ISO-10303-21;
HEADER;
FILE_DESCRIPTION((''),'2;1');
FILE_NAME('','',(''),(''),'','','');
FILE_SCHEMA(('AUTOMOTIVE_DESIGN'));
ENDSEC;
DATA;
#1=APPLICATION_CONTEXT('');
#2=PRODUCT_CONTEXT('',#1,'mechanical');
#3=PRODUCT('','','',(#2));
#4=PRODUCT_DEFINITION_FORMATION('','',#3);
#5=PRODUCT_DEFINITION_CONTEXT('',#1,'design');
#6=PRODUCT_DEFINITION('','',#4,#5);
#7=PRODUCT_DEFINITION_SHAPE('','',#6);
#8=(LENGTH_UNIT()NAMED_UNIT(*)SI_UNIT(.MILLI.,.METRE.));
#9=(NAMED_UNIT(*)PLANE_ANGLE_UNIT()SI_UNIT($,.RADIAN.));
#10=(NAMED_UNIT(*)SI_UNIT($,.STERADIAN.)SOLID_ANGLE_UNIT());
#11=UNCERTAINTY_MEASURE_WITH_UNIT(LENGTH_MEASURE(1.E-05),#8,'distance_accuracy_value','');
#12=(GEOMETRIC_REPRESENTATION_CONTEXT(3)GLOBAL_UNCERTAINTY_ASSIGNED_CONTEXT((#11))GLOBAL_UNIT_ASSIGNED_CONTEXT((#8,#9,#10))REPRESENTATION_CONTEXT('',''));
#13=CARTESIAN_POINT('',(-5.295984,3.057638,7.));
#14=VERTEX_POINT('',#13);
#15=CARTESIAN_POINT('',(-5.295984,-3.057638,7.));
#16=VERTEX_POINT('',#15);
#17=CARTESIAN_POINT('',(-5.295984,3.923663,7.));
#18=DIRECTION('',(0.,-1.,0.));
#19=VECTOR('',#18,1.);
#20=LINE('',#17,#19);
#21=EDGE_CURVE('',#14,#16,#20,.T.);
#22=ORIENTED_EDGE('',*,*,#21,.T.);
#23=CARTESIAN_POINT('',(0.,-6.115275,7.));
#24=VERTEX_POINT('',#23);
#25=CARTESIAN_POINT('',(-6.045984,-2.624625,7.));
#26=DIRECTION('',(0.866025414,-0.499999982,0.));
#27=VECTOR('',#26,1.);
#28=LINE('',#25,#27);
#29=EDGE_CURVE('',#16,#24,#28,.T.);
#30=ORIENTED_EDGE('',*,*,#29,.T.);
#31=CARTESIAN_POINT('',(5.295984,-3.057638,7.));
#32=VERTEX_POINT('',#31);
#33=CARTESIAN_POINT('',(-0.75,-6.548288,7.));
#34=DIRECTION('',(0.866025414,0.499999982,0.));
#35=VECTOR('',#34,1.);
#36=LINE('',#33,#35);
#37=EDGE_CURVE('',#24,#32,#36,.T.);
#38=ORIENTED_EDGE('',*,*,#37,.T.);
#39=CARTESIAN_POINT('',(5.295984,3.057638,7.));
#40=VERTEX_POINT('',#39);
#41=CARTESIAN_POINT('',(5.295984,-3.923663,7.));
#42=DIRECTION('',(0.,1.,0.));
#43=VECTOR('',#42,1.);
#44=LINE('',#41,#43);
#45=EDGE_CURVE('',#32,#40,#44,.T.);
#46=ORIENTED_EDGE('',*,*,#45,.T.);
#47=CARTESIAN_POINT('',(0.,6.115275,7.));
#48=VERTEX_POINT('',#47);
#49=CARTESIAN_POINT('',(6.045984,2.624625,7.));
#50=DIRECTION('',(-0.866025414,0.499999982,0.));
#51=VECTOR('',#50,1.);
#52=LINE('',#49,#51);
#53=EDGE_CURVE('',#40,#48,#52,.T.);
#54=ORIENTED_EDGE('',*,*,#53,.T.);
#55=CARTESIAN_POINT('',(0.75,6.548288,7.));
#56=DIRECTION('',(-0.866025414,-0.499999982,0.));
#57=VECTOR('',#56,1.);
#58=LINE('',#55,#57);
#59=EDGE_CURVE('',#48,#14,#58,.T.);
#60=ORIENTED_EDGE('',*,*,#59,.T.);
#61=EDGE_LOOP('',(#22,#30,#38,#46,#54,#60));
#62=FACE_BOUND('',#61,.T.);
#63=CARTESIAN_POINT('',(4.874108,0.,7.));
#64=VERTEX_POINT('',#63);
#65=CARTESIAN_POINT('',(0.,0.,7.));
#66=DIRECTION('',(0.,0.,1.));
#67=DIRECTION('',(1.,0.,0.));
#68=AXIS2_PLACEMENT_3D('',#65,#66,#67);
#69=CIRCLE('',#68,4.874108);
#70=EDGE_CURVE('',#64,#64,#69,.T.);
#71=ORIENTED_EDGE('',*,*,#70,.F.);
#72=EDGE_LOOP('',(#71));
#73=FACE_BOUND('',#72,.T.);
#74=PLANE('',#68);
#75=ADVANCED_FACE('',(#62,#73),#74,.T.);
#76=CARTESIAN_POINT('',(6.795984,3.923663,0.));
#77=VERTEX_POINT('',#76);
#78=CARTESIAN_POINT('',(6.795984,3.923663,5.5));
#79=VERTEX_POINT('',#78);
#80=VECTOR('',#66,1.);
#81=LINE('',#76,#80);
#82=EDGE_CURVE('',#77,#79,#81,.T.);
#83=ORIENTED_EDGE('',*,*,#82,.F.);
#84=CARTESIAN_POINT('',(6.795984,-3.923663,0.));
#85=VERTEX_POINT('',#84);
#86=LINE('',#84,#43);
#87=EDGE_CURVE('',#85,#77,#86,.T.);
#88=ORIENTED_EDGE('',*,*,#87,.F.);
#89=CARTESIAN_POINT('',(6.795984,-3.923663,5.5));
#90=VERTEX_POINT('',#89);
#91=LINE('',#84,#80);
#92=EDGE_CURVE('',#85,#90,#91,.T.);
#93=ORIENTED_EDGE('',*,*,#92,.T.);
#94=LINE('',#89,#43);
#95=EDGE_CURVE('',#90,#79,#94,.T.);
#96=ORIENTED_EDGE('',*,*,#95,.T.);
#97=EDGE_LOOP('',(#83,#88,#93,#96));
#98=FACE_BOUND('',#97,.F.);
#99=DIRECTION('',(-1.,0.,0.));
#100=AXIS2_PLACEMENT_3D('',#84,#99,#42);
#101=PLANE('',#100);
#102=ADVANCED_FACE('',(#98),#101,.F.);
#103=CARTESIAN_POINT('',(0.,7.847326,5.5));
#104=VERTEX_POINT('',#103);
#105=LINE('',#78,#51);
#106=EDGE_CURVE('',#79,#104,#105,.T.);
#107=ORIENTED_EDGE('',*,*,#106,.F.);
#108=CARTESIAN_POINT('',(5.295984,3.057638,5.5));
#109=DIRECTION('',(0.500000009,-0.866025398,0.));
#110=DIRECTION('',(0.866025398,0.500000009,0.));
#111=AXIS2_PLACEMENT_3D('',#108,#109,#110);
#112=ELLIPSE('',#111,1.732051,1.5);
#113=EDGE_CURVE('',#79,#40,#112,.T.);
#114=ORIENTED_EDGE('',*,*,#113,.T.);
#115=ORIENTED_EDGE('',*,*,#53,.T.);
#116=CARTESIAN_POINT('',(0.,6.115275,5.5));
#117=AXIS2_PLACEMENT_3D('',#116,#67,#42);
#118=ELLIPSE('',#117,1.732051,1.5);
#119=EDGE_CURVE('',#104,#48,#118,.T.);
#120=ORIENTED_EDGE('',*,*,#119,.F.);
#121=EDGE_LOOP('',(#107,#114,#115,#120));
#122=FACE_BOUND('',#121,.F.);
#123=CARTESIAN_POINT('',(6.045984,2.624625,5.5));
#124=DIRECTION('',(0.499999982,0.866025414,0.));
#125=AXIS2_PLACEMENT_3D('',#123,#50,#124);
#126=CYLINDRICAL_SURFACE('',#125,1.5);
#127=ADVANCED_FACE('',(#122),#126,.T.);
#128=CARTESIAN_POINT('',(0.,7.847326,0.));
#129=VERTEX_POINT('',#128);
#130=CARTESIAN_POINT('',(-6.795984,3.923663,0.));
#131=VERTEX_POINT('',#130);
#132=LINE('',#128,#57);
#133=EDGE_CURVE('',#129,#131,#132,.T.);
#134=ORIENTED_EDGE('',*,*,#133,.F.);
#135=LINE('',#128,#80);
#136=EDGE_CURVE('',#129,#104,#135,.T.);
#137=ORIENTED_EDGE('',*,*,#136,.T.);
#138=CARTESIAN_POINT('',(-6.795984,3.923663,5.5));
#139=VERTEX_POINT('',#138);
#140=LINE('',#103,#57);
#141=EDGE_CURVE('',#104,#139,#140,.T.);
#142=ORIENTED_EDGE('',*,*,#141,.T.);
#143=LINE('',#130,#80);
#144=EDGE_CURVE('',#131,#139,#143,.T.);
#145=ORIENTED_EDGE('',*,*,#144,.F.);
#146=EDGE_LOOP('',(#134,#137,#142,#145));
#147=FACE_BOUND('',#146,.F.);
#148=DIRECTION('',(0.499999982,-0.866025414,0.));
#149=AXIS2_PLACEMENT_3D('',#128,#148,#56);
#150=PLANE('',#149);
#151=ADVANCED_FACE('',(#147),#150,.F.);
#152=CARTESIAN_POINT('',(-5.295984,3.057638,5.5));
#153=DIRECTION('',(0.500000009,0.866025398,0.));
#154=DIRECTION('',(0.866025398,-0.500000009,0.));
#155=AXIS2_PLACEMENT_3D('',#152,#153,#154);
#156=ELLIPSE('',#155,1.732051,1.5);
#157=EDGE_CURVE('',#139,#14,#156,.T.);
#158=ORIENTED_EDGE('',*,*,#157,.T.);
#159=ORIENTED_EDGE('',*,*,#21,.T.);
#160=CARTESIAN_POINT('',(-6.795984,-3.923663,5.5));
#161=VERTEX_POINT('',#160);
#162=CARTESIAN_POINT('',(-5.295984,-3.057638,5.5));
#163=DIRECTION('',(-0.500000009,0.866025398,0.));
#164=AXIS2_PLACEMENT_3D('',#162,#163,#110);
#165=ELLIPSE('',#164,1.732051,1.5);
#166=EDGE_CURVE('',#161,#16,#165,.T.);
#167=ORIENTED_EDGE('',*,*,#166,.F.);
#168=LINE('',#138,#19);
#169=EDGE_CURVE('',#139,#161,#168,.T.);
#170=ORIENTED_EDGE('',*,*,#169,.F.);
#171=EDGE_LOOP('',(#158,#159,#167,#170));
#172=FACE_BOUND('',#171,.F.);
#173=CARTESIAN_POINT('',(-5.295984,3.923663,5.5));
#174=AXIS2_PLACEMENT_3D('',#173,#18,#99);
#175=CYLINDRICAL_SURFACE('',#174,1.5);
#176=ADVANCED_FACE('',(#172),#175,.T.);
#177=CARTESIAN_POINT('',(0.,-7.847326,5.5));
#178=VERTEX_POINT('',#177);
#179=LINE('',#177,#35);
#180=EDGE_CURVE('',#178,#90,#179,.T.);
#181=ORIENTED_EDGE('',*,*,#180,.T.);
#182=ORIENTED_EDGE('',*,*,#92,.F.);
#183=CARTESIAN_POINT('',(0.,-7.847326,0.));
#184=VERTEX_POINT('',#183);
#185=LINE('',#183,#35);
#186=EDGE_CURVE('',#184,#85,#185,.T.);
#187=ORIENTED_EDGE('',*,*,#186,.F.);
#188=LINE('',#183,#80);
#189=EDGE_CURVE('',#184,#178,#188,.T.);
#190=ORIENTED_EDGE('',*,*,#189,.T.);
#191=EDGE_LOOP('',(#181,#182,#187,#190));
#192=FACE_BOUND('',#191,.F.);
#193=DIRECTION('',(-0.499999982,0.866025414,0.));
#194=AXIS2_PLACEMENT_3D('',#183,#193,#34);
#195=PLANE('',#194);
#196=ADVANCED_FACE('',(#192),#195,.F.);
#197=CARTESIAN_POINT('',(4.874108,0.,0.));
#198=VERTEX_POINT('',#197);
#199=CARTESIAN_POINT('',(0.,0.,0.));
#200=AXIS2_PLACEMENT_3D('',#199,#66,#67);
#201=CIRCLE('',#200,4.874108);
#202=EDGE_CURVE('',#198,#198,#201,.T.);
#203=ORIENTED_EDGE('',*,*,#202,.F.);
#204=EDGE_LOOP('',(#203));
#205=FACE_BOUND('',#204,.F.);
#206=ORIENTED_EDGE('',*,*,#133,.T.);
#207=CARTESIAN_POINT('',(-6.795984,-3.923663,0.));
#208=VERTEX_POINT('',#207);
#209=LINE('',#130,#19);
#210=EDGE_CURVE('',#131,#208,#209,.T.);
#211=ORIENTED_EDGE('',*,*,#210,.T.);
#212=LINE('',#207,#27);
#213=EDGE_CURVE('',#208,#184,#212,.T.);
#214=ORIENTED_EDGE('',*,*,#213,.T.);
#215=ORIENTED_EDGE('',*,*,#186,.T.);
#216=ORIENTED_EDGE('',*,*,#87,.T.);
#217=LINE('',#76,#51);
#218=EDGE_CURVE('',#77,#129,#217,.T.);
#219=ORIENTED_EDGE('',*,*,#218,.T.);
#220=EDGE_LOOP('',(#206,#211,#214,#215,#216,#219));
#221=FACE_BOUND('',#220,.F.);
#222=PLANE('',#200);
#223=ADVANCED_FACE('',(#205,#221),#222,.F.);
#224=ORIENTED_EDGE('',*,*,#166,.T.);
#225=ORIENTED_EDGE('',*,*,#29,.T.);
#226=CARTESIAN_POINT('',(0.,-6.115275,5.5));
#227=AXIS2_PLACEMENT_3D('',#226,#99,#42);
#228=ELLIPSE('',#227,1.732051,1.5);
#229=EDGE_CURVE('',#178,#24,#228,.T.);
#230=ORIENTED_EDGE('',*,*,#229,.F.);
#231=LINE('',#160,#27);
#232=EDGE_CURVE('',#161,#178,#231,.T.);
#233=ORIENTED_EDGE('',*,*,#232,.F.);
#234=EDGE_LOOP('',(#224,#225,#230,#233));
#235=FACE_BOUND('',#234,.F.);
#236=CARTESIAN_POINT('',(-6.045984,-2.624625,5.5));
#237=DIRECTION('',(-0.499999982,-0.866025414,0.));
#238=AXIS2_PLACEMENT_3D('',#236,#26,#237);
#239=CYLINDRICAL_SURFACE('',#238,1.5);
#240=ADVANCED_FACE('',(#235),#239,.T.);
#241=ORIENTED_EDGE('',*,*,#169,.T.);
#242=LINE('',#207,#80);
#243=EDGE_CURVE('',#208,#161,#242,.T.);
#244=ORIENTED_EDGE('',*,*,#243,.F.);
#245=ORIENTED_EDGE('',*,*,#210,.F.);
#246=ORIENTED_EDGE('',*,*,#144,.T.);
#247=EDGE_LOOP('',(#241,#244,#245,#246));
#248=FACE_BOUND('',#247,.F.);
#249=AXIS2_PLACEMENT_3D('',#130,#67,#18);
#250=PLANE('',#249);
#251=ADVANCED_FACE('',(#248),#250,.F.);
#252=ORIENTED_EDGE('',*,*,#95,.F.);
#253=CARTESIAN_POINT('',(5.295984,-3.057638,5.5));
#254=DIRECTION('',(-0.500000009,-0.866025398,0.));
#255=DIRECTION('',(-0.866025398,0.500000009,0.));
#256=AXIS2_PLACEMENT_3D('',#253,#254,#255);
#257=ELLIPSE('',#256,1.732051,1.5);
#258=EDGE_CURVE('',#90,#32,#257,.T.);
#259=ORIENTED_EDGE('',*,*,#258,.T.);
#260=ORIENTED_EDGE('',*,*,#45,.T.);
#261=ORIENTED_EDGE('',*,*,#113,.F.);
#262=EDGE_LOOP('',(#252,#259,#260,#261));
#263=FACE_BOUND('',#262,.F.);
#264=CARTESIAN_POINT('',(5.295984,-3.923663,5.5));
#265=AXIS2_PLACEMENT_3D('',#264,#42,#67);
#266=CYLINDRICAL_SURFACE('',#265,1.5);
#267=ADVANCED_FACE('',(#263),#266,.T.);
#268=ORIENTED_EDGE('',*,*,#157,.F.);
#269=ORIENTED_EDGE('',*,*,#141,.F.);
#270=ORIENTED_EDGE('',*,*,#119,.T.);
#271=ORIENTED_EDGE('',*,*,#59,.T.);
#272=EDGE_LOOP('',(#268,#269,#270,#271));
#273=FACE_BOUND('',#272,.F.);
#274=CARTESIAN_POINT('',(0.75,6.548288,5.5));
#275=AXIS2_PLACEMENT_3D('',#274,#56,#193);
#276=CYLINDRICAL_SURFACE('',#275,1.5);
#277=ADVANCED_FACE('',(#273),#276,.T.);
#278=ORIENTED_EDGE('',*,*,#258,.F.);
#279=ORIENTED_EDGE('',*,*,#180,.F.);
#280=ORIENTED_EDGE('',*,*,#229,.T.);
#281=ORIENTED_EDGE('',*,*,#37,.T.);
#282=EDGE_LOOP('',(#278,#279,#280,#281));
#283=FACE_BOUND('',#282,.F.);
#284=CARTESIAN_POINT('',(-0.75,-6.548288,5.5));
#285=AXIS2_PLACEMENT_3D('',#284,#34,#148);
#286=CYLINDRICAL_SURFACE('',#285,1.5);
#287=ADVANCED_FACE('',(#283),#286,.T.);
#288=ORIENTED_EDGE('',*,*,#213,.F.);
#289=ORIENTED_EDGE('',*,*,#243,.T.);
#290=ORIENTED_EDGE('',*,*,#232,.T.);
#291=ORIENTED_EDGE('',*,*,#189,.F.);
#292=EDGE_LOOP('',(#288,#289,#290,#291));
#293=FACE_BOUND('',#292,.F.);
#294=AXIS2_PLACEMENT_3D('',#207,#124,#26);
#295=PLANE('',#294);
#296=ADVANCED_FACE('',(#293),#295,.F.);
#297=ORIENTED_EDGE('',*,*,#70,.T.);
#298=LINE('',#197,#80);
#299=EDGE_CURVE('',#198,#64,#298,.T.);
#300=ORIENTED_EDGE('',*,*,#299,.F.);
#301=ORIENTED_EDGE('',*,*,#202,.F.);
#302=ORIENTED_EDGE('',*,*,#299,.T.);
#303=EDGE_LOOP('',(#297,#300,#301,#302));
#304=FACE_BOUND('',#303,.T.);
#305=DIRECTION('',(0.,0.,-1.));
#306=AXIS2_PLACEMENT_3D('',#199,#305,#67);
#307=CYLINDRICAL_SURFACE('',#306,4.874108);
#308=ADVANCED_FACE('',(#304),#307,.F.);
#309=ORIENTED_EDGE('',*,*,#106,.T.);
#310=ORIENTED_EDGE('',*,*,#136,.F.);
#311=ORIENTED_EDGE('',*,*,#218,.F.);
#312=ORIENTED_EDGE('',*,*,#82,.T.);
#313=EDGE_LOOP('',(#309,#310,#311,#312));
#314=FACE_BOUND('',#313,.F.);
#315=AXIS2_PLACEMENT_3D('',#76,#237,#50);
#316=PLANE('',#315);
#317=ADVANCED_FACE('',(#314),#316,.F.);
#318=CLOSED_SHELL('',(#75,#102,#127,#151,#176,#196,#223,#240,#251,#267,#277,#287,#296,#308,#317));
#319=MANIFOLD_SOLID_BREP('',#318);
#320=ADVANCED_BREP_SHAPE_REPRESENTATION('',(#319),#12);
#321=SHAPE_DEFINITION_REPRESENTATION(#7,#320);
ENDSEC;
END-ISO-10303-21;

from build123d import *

# Parameters (mm, degrees)
F0_R     = 4.874108
F1_DEPTH = 7
F2_R     = 1.5


with BuildPart() as f1:
    # F0 (on Top) → F1 (new body)
    with BuildSketch(Plane.XY):
        Polygon((6.795984, 3.923663), (0, 7.847326), (-6.795984, 3.923663), (-6.795984, -3.923663), (0, -7.847326), (6.795984, -3.923663), align=None)
        Circle(F0_R, mode=Mode.SUBTRACT)
    extrude(amount=F1_DEPTH)

    # F2
    f2_edges = [f1.edges().sort_by_distance(p)[0] for p in [
        (6.795984, 0, 7),
        (3.397992, -5.885494, 7),
        (-3.397992, -5.885494, 7),
        (3.397992, 5.885494, 7),
        (-6.795984, 0, 7),
        (-3.397992, 5.885494, 7),
    ]]
    fillet(f2_edges, radius=F2_R)


solid = f1.part
